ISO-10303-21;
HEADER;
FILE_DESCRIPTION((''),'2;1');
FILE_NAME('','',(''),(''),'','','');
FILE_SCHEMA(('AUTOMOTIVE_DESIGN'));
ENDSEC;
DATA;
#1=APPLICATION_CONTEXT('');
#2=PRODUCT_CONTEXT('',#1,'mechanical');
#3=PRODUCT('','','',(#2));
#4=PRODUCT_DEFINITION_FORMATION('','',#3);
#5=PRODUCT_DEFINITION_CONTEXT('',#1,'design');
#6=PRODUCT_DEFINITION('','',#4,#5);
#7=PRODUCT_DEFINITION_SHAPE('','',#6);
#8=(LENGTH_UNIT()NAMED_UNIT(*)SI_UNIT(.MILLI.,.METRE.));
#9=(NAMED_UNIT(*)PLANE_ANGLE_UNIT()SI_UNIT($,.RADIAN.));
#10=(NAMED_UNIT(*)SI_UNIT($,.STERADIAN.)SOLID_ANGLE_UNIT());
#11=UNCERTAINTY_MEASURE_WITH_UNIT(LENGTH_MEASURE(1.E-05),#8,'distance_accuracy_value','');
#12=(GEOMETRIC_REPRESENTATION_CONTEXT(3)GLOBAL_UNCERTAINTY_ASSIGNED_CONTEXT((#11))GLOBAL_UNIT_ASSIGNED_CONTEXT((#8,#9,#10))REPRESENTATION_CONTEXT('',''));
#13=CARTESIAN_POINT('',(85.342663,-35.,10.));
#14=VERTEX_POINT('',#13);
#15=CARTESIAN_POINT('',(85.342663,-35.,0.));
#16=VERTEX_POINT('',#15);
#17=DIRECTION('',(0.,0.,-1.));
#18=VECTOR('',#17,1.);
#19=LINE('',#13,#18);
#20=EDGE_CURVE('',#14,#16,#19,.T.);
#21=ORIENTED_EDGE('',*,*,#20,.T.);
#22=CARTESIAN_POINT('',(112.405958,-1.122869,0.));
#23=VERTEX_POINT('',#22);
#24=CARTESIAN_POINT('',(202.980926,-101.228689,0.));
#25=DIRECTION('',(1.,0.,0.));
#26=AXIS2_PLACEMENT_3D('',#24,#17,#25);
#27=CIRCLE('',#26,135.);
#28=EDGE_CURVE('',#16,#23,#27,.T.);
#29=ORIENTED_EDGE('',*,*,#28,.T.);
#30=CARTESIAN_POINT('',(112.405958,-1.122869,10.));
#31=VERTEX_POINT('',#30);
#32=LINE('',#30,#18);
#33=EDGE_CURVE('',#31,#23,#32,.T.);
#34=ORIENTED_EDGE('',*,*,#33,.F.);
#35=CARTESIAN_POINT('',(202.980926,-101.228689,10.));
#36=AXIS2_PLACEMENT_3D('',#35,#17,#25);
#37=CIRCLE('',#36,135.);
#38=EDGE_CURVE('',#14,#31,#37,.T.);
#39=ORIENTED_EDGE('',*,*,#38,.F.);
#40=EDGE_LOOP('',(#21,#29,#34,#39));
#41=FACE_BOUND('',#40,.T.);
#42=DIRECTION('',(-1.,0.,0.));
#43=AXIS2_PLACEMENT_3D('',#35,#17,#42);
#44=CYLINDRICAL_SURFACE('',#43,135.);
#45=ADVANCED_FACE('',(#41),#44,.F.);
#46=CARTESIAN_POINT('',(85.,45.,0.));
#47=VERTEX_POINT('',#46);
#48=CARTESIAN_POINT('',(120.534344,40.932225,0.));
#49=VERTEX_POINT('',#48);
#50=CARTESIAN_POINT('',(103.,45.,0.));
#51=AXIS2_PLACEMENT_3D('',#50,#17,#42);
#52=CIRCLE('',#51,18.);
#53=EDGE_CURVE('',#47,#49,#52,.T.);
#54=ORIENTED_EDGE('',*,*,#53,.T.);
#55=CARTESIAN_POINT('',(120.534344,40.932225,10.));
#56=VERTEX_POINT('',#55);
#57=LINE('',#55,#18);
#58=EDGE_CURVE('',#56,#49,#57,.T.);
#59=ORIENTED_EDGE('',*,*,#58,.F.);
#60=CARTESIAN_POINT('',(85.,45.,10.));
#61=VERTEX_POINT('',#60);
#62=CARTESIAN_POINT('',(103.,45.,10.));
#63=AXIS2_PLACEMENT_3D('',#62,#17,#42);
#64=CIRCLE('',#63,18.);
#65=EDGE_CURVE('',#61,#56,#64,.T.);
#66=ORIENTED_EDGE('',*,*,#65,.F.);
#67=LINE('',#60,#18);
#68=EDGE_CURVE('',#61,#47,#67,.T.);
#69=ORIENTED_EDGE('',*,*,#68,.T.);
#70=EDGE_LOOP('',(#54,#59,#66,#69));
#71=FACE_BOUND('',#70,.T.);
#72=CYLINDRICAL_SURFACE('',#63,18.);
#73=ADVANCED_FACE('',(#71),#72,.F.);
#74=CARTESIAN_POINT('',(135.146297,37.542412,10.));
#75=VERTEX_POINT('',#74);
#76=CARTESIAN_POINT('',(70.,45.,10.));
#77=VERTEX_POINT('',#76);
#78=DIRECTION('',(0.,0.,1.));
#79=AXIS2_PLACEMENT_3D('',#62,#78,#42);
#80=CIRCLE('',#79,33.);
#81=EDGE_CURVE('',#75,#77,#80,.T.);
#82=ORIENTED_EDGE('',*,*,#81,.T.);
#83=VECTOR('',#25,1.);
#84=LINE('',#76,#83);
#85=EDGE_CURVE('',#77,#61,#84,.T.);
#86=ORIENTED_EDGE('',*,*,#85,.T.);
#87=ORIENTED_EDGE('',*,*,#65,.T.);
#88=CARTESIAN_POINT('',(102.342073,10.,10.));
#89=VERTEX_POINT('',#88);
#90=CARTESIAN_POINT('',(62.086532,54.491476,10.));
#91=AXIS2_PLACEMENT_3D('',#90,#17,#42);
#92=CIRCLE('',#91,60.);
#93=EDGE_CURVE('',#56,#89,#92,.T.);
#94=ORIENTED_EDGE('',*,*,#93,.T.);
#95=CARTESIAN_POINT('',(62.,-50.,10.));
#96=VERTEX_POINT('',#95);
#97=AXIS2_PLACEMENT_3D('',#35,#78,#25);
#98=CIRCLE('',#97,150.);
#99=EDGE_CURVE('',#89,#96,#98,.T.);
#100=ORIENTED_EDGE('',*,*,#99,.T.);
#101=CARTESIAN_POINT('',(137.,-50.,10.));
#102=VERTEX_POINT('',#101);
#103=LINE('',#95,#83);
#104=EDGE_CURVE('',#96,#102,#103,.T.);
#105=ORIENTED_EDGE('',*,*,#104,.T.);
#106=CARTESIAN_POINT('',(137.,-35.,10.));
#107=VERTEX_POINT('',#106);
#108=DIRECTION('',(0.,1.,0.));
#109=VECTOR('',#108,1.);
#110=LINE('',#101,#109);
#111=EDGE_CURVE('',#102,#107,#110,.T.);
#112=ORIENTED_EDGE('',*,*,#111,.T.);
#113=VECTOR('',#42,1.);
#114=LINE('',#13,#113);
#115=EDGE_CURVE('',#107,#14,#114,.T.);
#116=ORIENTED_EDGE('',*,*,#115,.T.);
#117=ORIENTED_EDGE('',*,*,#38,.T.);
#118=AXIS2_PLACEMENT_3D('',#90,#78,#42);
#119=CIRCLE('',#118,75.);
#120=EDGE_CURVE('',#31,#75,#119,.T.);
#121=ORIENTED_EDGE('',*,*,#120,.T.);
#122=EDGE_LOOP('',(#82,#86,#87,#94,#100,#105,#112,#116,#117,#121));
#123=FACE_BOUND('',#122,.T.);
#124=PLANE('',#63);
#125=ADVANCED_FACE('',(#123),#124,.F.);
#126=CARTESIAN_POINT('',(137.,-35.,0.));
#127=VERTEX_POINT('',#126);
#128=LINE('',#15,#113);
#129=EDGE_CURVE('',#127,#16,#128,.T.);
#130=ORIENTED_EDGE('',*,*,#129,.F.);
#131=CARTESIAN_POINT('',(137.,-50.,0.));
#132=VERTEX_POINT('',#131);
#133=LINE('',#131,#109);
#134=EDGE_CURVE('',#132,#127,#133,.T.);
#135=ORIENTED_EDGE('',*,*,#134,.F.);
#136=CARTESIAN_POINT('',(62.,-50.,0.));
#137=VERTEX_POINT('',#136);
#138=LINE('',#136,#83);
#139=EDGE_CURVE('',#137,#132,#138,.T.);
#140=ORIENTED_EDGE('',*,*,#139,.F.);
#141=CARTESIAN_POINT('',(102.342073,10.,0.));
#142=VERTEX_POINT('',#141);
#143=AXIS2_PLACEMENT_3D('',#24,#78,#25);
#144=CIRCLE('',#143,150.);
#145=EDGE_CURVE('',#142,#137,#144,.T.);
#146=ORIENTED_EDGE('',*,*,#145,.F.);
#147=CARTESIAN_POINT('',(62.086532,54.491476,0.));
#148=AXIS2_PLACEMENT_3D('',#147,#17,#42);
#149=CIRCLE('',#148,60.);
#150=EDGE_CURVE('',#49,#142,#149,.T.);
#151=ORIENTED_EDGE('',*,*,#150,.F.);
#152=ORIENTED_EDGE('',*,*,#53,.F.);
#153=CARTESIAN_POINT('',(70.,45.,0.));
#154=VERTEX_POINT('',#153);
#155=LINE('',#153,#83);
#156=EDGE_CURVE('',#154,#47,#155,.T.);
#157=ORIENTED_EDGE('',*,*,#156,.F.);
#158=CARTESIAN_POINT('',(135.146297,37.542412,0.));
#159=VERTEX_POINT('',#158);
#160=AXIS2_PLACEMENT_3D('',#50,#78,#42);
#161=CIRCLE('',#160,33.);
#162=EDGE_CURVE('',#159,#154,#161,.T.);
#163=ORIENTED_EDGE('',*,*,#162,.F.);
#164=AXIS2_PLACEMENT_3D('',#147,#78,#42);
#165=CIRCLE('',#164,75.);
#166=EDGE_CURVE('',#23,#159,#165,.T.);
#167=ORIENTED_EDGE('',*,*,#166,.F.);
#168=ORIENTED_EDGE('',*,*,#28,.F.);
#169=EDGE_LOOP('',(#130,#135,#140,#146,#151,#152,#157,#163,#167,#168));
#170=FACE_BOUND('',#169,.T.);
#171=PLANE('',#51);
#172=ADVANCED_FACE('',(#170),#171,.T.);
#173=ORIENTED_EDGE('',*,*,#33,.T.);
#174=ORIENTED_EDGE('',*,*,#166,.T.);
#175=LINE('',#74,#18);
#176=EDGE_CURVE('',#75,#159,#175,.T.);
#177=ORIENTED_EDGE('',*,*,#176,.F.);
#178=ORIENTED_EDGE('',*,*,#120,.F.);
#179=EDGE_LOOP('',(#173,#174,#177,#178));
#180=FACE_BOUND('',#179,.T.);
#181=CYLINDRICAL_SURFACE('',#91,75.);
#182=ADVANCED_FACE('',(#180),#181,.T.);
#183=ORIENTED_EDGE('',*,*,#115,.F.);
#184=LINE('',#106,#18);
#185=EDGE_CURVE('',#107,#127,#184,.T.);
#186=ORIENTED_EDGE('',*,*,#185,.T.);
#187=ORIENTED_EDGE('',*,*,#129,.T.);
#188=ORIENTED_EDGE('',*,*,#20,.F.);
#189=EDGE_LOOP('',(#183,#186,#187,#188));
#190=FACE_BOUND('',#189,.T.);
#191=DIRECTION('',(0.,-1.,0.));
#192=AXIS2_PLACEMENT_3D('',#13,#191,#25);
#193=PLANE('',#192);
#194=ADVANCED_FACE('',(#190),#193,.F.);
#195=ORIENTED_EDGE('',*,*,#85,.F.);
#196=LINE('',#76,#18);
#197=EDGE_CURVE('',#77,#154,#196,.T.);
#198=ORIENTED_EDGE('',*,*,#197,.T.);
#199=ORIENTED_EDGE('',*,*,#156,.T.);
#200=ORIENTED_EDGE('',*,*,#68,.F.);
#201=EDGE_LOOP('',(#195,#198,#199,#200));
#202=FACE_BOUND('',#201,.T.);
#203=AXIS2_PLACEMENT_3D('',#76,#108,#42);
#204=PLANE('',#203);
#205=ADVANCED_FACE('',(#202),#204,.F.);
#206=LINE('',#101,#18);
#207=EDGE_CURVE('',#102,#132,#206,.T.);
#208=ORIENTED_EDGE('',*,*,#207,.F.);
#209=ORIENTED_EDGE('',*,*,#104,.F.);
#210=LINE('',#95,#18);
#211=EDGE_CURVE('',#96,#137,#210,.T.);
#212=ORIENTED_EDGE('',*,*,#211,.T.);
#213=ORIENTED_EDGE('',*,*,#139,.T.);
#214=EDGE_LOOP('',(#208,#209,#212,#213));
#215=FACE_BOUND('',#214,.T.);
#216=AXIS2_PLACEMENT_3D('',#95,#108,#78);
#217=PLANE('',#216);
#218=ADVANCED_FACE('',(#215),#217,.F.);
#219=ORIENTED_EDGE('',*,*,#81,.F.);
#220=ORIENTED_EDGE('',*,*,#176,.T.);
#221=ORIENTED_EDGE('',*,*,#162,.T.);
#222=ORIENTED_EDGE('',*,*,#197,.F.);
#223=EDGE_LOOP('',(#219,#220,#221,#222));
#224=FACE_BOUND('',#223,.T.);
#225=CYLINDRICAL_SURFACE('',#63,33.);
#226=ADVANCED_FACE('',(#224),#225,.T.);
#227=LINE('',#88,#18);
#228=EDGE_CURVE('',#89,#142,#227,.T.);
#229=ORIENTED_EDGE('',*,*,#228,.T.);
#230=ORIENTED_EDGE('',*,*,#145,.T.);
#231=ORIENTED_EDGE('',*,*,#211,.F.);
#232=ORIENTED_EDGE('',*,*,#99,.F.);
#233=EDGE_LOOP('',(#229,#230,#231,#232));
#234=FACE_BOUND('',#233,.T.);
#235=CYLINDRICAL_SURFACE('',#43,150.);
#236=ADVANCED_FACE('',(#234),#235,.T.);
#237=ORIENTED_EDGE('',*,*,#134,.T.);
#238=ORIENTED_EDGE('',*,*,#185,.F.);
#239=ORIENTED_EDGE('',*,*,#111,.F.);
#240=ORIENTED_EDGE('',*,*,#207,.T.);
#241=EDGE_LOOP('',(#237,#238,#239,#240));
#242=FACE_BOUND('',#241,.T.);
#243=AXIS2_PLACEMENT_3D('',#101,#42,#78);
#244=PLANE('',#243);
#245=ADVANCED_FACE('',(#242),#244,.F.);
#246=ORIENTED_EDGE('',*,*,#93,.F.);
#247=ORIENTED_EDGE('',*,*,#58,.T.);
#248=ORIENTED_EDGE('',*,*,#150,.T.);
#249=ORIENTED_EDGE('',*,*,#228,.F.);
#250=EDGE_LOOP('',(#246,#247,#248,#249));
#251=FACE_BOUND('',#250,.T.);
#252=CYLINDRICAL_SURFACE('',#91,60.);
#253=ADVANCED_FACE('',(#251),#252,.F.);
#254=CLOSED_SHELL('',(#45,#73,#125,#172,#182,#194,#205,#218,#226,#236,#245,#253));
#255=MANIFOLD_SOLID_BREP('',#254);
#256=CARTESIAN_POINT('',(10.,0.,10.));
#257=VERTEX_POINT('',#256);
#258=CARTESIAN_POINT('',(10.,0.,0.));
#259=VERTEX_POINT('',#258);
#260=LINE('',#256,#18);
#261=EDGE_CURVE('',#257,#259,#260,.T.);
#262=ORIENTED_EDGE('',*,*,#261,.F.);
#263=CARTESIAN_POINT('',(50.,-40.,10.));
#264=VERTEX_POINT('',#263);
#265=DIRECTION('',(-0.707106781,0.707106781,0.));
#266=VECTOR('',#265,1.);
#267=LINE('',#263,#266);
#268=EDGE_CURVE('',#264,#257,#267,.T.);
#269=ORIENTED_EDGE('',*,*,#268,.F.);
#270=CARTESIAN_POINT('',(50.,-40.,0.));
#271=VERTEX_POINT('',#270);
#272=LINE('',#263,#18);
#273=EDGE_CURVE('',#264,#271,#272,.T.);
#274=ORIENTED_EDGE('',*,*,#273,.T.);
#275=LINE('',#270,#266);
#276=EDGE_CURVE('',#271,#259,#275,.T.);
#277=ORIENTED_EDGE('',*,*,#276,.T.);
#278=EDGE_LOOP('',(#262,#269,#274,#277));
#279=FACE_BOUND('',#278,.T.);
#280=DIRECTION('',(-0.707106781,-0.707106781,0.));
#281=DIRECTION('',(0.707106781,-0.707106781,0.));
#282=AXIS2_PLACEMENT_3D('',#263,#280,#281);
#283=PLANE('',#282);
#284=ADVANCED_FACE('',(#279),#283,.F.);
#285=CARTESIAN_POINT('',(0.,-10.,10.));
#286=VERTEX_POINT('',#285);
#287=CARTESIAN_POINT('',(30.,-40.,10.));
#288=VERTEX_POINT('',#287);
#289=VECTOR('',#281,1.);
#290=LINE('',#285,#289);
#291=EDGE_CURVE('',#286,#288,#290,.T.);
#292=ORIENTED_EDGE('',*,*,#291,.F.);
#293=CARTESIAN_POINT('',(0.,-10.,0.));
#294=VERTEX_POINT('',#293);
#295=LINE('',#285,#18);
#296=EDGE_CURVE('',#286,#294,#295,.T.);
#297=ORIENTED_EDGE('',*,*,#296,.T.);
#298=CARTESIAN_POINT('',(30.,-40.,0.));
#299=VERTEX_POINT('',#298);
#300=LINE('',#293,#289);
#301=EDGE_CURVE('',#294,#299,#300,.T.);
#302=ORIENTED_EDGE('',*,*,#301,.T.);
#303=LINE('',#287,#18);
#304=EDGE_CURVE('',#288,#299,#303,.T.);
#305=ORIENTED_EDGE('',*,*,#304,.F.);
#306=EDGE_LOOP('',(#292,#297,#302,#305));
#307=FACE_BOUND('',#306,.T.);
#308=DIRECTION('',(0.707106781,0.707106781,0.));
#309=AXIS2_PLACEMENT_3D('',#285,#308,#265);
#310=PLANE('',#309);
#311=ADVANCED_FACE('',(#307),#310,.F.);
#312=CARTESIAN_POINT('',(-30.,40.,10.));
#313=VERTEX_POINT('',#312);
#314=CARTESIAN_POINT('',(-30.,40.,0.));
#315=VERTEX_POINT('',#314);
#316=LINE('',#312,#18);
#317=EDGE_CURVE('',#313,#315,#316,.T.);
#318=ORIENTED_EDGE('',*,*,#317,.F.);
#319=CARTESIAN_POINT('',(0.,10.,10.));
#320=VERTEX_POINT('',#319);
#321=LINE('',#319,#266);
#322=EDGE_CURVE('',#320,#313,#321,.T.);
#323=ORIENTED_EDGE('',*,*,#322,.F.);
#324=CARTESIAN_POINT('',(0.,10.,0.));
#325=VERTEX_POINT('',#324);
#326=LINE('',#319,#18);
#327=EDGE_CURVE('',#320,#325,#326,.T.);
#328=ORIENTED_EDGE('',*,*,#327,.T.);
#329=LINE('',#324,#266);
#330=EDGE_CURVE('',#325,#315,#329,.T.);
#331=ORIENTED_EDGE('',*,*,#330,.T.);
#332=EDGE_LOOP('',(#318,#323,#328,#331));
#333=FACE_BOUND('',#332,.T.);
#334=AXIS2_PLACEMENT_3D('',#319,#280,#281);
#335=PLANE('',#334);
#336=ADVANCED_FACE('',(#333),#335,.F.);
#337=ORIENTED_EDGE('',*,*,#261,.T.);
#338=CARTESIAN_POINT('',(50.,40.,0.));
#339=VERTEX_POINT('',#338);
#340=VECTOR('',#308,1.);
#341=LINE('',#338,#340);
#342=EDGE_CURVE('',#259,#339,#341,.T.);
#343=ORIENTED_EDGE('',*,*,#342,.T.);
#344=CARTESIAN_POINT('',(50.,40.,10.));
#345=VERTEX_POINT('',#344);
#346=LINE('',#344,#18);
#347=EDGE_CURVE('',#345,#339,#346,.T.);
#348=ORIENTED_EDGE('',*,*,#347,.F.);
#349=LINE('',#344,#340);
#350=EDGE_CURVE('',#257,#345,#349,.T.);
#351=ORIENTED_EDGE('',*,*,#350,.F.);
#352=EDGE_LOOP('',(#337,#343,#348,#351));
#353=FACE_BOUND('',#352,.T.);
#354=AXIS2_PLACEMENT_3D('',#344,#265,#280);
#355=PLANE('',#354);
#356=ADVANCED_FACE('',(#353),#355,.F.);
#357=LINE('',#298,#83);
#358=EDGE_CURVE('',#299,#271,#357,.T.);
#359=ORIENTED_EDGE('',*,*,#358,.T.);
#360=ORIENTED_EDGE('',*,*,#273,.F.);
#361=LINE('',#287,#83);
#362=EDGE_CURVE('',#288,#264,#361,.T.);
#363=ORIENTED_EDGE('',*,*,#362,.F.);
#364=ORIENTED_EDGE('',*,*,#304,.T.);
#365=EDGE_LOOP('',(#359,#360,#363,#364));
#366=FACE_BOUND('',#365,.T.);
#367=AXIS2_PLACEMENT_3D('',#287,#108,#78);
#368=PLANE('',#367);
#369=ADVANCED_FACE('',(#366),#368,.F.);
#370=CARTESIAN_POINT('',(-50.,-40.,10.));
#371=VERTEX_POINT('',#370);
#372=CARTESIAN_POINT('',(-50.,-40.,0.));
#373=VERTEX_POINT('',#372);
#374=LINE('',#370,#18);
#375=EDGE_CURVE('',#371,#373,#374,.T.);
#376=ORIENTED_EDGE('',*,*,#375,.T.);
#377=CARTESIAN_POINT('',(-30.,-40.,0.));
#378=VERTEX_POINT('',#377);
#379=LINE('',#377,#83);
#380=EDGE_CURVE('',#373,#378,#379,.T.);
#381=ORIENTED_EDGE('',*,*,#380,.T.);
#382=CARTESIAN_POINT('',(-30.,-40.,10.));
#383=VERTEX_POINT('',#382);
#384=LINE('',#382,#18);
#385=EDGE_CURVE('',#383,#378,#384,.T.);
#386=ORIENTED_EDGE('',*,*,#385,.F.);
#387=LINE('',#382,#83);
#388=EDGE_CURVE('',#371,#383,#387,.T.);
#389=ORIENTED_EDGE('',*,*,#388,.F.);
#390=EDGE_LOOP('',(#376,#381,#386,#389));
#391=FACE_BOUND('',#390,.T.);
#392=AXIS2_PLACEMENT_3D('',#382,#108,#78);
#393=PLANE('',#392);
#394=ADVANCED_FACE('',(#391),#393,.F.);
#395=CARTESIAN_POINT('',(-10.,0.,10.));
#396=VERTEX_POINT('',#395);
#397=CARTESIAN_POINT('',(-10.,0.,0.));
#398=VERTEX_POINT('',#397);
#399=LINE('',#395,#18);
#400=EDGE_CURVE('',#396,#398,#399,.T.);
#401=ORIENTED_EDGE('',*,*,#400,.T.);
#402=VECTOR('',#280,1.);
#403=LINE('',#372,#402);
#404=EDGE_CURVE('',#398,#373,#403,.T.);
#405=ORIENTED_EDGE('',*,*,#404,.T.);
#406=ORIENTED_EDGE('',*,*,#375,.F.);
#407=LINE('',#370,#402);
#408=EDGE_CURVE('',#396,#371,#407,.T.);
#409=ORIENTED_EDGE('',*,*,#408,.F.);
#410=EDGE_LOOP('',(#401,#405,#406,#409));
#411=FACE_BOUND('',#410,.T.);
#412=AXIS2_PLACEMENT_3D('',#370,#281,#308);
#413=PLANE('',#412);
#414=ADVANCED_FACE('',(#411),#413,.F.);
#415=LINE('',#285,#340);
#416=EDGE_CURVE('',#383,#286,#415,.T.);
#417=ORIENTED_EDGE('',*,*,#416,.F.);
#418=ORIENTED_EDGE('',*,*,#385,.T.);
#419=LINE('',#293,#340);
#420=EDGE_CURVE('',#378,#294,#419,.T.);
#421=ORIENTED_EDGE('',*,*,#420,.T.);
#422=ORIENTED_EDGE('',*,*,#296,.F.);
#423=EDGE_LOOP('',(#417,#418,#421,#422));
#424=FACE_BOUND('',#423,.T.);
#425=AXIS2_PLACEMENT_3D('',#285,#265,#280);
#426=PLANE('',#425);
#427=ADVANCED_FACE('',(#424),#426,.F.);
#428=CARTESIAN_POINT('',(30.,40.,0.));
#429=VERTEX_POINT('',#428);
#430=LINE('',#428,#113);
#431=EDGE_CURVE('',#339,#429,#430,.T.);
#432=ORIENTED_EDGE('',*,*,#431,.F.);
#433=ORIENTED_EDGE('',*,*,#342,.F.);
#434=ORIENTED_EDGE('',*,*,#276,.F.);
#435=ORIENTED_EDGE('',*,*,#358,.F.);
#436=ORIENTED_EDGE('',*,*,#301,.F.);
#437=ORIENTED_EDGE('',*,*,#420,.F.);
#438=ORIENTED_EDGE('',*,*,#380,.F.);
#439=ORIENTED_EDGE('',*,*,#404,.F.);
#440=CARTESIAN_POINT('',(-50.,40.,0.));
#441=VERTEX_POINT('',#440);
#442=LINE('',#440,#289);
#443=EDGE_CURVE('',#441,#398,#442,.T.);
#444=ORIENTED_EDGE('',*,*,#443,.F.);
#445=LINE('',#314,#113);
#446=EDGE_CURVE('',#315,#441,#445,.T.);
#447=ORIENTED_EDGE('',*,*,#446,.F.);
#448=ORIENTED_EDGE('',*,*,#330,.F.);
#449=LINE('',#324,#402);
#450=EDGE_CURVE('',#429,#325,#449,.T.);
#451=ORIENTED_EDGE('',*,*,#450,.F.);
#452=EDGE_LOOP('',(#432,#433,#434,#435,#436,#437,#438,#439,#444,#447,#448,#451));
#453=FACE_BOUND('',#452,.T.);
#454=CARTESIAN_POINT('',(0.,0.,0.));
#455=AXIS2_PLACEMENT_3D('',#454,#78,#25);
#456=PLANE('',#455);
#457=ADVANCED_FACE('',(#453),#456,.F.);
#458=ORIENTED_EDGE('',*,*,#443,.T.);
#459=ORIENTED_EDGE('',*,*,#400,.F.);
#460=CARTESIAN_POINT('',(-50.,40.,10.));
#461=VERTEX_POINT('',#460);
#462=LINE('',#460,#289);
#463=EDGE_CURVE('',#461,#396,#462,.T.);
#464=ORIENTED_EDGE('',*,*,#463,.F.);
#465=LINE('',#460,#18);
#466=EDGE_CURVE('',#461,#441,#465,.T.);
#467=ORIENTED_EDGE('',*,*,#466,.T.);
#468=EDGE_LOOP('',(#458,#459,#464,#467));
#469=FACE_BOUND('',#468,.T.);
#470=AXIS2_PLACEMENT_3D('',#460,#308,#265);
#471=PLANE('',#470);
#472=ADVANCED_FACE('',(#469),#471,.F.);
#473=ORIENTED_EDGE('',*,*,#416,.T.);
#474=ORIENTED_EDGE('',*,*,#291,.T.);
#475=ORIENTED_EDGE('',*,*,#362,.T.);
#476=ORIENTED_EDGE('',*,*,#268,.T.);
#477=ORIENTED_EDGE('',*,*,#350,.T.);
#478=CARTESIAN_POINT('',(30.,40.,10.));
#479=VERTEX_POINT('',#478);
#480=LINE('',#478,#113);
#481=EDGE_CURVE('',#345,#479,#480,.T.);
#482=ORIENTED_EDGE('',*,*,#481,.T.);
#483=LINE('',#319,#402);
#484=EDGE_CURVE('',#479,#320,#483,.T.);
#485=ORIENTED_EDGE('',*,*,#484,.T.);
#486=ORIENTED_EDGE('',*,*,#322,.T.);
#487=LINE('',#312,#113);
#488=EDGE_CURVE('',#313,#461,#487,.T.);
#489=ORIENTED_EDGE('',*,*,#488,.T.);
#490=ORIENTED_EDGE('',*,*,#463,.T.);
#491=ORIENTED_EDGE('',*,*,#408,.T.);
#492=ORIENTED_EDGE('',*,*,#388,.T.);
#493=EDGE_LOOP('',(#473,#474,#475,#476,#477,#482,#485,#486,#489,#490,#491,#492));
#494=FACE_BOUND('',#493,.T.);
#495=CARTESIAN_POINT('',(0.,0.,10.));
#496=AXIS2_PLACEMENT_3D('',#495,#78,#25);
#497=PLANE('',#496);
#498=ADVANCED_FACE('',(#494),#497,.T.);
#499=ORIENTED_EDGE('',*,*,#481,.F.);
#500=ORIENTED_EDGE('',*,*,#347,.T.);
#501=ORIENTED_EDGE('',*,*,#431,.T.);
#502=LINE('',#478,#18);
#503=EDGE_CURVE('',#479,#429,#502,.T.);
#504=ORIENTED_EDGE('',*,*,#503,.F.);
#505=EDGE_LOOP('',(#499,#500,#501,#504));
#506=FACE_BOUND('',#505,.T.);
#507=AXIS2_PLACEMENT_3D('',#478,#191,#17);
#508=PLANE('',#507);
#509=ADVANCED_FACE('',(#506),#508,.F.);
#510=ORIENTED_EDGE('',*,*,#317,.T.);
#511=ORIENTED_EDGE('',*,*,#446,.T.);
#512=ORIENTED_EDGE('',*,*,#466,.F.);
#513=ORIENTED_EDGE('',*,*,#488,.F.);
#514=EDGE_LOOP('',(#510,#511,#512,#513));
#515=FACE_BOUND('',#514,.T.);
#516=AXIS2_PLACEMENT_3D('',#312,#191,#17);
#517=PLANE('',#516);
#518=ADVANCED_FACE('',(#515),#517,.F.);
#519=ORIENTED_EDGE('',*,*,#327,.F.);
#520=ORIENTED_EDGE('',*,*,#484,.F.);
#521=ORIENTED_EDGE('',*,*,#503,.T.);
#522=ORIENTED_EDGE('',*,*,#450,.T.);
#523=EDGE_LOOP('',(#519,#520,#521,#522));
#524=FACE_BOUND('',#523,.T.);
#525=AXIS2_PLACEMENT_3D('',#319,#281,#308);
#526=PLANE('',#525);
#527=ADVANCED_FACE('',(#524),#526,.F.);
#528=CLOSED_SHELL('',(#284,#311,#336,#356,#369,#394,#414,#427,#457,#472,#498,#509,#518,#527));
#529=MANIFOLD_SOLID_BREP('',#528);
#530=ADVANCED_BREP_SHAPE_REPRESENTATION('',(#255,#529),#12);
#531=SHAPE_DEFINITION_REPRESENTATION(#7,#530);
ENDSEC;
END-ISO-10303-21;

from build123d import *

# Parameters (mm, degrees)
BOSS_EXTRUDE1_DEPTH   = 10
BOSS_EXTRUDE1_2_DEPTH = 10


with BuildPart() as part:
    # Sketch1 → Boss-Extrude1 (new body)
    with BuildSketch(Plane.XY):
        Polygon((-50, 40), (-10, 0), (-50, -40), (-30, -40), (0, -10), (30, -40), (50, -40), (10, 0), (50, 40), (30, 40), (0, 10), (-30, 40), align=None)
    extrude(amount=BOSS_EXTRUDE1_DEPTH)


with BuildPart() as body_2:
    # Sketch1 → Boss-Extrude1 2 (new body)
    with BuildSketch(Plane.XY):
        with BuildLine():
            Line((85.342663494, -35), (137, -35))
            Line((137, -35), (137, -50))
            Line((137, -50), (62, -50))
            ThreePointArc((62, -50), (78.501893933, -17.532986448), (102.342072826, 10))
            ThreePointArc((102.342072826, 10), (113.804890183, 24.074187919), (120.534343564, 40.932224712))
            ThreePointArc((120.534343564, 40.932224712), (105.047170713, 62.883206985), (85, 45))
            Line((85, 45), (70, 45))
            ThreePointArc((70, 45), (106.753146307, 77.785879473), (135.146296533, 37.542411972))
            ThreePointArc((135.146296533, 37.542411972), (126.734479807, 16.46986598), (112.405958111, -1.122868918))
            ThreePointArc((112.405958111, -1.122868918), (97.505325355, -16.967798271), (85.342663494, -35))
        make_face()
    extrude(amount=BOSS_EXTRUDE1_2_DEPTH)


solid = Compound([part.part, body_2.part])
